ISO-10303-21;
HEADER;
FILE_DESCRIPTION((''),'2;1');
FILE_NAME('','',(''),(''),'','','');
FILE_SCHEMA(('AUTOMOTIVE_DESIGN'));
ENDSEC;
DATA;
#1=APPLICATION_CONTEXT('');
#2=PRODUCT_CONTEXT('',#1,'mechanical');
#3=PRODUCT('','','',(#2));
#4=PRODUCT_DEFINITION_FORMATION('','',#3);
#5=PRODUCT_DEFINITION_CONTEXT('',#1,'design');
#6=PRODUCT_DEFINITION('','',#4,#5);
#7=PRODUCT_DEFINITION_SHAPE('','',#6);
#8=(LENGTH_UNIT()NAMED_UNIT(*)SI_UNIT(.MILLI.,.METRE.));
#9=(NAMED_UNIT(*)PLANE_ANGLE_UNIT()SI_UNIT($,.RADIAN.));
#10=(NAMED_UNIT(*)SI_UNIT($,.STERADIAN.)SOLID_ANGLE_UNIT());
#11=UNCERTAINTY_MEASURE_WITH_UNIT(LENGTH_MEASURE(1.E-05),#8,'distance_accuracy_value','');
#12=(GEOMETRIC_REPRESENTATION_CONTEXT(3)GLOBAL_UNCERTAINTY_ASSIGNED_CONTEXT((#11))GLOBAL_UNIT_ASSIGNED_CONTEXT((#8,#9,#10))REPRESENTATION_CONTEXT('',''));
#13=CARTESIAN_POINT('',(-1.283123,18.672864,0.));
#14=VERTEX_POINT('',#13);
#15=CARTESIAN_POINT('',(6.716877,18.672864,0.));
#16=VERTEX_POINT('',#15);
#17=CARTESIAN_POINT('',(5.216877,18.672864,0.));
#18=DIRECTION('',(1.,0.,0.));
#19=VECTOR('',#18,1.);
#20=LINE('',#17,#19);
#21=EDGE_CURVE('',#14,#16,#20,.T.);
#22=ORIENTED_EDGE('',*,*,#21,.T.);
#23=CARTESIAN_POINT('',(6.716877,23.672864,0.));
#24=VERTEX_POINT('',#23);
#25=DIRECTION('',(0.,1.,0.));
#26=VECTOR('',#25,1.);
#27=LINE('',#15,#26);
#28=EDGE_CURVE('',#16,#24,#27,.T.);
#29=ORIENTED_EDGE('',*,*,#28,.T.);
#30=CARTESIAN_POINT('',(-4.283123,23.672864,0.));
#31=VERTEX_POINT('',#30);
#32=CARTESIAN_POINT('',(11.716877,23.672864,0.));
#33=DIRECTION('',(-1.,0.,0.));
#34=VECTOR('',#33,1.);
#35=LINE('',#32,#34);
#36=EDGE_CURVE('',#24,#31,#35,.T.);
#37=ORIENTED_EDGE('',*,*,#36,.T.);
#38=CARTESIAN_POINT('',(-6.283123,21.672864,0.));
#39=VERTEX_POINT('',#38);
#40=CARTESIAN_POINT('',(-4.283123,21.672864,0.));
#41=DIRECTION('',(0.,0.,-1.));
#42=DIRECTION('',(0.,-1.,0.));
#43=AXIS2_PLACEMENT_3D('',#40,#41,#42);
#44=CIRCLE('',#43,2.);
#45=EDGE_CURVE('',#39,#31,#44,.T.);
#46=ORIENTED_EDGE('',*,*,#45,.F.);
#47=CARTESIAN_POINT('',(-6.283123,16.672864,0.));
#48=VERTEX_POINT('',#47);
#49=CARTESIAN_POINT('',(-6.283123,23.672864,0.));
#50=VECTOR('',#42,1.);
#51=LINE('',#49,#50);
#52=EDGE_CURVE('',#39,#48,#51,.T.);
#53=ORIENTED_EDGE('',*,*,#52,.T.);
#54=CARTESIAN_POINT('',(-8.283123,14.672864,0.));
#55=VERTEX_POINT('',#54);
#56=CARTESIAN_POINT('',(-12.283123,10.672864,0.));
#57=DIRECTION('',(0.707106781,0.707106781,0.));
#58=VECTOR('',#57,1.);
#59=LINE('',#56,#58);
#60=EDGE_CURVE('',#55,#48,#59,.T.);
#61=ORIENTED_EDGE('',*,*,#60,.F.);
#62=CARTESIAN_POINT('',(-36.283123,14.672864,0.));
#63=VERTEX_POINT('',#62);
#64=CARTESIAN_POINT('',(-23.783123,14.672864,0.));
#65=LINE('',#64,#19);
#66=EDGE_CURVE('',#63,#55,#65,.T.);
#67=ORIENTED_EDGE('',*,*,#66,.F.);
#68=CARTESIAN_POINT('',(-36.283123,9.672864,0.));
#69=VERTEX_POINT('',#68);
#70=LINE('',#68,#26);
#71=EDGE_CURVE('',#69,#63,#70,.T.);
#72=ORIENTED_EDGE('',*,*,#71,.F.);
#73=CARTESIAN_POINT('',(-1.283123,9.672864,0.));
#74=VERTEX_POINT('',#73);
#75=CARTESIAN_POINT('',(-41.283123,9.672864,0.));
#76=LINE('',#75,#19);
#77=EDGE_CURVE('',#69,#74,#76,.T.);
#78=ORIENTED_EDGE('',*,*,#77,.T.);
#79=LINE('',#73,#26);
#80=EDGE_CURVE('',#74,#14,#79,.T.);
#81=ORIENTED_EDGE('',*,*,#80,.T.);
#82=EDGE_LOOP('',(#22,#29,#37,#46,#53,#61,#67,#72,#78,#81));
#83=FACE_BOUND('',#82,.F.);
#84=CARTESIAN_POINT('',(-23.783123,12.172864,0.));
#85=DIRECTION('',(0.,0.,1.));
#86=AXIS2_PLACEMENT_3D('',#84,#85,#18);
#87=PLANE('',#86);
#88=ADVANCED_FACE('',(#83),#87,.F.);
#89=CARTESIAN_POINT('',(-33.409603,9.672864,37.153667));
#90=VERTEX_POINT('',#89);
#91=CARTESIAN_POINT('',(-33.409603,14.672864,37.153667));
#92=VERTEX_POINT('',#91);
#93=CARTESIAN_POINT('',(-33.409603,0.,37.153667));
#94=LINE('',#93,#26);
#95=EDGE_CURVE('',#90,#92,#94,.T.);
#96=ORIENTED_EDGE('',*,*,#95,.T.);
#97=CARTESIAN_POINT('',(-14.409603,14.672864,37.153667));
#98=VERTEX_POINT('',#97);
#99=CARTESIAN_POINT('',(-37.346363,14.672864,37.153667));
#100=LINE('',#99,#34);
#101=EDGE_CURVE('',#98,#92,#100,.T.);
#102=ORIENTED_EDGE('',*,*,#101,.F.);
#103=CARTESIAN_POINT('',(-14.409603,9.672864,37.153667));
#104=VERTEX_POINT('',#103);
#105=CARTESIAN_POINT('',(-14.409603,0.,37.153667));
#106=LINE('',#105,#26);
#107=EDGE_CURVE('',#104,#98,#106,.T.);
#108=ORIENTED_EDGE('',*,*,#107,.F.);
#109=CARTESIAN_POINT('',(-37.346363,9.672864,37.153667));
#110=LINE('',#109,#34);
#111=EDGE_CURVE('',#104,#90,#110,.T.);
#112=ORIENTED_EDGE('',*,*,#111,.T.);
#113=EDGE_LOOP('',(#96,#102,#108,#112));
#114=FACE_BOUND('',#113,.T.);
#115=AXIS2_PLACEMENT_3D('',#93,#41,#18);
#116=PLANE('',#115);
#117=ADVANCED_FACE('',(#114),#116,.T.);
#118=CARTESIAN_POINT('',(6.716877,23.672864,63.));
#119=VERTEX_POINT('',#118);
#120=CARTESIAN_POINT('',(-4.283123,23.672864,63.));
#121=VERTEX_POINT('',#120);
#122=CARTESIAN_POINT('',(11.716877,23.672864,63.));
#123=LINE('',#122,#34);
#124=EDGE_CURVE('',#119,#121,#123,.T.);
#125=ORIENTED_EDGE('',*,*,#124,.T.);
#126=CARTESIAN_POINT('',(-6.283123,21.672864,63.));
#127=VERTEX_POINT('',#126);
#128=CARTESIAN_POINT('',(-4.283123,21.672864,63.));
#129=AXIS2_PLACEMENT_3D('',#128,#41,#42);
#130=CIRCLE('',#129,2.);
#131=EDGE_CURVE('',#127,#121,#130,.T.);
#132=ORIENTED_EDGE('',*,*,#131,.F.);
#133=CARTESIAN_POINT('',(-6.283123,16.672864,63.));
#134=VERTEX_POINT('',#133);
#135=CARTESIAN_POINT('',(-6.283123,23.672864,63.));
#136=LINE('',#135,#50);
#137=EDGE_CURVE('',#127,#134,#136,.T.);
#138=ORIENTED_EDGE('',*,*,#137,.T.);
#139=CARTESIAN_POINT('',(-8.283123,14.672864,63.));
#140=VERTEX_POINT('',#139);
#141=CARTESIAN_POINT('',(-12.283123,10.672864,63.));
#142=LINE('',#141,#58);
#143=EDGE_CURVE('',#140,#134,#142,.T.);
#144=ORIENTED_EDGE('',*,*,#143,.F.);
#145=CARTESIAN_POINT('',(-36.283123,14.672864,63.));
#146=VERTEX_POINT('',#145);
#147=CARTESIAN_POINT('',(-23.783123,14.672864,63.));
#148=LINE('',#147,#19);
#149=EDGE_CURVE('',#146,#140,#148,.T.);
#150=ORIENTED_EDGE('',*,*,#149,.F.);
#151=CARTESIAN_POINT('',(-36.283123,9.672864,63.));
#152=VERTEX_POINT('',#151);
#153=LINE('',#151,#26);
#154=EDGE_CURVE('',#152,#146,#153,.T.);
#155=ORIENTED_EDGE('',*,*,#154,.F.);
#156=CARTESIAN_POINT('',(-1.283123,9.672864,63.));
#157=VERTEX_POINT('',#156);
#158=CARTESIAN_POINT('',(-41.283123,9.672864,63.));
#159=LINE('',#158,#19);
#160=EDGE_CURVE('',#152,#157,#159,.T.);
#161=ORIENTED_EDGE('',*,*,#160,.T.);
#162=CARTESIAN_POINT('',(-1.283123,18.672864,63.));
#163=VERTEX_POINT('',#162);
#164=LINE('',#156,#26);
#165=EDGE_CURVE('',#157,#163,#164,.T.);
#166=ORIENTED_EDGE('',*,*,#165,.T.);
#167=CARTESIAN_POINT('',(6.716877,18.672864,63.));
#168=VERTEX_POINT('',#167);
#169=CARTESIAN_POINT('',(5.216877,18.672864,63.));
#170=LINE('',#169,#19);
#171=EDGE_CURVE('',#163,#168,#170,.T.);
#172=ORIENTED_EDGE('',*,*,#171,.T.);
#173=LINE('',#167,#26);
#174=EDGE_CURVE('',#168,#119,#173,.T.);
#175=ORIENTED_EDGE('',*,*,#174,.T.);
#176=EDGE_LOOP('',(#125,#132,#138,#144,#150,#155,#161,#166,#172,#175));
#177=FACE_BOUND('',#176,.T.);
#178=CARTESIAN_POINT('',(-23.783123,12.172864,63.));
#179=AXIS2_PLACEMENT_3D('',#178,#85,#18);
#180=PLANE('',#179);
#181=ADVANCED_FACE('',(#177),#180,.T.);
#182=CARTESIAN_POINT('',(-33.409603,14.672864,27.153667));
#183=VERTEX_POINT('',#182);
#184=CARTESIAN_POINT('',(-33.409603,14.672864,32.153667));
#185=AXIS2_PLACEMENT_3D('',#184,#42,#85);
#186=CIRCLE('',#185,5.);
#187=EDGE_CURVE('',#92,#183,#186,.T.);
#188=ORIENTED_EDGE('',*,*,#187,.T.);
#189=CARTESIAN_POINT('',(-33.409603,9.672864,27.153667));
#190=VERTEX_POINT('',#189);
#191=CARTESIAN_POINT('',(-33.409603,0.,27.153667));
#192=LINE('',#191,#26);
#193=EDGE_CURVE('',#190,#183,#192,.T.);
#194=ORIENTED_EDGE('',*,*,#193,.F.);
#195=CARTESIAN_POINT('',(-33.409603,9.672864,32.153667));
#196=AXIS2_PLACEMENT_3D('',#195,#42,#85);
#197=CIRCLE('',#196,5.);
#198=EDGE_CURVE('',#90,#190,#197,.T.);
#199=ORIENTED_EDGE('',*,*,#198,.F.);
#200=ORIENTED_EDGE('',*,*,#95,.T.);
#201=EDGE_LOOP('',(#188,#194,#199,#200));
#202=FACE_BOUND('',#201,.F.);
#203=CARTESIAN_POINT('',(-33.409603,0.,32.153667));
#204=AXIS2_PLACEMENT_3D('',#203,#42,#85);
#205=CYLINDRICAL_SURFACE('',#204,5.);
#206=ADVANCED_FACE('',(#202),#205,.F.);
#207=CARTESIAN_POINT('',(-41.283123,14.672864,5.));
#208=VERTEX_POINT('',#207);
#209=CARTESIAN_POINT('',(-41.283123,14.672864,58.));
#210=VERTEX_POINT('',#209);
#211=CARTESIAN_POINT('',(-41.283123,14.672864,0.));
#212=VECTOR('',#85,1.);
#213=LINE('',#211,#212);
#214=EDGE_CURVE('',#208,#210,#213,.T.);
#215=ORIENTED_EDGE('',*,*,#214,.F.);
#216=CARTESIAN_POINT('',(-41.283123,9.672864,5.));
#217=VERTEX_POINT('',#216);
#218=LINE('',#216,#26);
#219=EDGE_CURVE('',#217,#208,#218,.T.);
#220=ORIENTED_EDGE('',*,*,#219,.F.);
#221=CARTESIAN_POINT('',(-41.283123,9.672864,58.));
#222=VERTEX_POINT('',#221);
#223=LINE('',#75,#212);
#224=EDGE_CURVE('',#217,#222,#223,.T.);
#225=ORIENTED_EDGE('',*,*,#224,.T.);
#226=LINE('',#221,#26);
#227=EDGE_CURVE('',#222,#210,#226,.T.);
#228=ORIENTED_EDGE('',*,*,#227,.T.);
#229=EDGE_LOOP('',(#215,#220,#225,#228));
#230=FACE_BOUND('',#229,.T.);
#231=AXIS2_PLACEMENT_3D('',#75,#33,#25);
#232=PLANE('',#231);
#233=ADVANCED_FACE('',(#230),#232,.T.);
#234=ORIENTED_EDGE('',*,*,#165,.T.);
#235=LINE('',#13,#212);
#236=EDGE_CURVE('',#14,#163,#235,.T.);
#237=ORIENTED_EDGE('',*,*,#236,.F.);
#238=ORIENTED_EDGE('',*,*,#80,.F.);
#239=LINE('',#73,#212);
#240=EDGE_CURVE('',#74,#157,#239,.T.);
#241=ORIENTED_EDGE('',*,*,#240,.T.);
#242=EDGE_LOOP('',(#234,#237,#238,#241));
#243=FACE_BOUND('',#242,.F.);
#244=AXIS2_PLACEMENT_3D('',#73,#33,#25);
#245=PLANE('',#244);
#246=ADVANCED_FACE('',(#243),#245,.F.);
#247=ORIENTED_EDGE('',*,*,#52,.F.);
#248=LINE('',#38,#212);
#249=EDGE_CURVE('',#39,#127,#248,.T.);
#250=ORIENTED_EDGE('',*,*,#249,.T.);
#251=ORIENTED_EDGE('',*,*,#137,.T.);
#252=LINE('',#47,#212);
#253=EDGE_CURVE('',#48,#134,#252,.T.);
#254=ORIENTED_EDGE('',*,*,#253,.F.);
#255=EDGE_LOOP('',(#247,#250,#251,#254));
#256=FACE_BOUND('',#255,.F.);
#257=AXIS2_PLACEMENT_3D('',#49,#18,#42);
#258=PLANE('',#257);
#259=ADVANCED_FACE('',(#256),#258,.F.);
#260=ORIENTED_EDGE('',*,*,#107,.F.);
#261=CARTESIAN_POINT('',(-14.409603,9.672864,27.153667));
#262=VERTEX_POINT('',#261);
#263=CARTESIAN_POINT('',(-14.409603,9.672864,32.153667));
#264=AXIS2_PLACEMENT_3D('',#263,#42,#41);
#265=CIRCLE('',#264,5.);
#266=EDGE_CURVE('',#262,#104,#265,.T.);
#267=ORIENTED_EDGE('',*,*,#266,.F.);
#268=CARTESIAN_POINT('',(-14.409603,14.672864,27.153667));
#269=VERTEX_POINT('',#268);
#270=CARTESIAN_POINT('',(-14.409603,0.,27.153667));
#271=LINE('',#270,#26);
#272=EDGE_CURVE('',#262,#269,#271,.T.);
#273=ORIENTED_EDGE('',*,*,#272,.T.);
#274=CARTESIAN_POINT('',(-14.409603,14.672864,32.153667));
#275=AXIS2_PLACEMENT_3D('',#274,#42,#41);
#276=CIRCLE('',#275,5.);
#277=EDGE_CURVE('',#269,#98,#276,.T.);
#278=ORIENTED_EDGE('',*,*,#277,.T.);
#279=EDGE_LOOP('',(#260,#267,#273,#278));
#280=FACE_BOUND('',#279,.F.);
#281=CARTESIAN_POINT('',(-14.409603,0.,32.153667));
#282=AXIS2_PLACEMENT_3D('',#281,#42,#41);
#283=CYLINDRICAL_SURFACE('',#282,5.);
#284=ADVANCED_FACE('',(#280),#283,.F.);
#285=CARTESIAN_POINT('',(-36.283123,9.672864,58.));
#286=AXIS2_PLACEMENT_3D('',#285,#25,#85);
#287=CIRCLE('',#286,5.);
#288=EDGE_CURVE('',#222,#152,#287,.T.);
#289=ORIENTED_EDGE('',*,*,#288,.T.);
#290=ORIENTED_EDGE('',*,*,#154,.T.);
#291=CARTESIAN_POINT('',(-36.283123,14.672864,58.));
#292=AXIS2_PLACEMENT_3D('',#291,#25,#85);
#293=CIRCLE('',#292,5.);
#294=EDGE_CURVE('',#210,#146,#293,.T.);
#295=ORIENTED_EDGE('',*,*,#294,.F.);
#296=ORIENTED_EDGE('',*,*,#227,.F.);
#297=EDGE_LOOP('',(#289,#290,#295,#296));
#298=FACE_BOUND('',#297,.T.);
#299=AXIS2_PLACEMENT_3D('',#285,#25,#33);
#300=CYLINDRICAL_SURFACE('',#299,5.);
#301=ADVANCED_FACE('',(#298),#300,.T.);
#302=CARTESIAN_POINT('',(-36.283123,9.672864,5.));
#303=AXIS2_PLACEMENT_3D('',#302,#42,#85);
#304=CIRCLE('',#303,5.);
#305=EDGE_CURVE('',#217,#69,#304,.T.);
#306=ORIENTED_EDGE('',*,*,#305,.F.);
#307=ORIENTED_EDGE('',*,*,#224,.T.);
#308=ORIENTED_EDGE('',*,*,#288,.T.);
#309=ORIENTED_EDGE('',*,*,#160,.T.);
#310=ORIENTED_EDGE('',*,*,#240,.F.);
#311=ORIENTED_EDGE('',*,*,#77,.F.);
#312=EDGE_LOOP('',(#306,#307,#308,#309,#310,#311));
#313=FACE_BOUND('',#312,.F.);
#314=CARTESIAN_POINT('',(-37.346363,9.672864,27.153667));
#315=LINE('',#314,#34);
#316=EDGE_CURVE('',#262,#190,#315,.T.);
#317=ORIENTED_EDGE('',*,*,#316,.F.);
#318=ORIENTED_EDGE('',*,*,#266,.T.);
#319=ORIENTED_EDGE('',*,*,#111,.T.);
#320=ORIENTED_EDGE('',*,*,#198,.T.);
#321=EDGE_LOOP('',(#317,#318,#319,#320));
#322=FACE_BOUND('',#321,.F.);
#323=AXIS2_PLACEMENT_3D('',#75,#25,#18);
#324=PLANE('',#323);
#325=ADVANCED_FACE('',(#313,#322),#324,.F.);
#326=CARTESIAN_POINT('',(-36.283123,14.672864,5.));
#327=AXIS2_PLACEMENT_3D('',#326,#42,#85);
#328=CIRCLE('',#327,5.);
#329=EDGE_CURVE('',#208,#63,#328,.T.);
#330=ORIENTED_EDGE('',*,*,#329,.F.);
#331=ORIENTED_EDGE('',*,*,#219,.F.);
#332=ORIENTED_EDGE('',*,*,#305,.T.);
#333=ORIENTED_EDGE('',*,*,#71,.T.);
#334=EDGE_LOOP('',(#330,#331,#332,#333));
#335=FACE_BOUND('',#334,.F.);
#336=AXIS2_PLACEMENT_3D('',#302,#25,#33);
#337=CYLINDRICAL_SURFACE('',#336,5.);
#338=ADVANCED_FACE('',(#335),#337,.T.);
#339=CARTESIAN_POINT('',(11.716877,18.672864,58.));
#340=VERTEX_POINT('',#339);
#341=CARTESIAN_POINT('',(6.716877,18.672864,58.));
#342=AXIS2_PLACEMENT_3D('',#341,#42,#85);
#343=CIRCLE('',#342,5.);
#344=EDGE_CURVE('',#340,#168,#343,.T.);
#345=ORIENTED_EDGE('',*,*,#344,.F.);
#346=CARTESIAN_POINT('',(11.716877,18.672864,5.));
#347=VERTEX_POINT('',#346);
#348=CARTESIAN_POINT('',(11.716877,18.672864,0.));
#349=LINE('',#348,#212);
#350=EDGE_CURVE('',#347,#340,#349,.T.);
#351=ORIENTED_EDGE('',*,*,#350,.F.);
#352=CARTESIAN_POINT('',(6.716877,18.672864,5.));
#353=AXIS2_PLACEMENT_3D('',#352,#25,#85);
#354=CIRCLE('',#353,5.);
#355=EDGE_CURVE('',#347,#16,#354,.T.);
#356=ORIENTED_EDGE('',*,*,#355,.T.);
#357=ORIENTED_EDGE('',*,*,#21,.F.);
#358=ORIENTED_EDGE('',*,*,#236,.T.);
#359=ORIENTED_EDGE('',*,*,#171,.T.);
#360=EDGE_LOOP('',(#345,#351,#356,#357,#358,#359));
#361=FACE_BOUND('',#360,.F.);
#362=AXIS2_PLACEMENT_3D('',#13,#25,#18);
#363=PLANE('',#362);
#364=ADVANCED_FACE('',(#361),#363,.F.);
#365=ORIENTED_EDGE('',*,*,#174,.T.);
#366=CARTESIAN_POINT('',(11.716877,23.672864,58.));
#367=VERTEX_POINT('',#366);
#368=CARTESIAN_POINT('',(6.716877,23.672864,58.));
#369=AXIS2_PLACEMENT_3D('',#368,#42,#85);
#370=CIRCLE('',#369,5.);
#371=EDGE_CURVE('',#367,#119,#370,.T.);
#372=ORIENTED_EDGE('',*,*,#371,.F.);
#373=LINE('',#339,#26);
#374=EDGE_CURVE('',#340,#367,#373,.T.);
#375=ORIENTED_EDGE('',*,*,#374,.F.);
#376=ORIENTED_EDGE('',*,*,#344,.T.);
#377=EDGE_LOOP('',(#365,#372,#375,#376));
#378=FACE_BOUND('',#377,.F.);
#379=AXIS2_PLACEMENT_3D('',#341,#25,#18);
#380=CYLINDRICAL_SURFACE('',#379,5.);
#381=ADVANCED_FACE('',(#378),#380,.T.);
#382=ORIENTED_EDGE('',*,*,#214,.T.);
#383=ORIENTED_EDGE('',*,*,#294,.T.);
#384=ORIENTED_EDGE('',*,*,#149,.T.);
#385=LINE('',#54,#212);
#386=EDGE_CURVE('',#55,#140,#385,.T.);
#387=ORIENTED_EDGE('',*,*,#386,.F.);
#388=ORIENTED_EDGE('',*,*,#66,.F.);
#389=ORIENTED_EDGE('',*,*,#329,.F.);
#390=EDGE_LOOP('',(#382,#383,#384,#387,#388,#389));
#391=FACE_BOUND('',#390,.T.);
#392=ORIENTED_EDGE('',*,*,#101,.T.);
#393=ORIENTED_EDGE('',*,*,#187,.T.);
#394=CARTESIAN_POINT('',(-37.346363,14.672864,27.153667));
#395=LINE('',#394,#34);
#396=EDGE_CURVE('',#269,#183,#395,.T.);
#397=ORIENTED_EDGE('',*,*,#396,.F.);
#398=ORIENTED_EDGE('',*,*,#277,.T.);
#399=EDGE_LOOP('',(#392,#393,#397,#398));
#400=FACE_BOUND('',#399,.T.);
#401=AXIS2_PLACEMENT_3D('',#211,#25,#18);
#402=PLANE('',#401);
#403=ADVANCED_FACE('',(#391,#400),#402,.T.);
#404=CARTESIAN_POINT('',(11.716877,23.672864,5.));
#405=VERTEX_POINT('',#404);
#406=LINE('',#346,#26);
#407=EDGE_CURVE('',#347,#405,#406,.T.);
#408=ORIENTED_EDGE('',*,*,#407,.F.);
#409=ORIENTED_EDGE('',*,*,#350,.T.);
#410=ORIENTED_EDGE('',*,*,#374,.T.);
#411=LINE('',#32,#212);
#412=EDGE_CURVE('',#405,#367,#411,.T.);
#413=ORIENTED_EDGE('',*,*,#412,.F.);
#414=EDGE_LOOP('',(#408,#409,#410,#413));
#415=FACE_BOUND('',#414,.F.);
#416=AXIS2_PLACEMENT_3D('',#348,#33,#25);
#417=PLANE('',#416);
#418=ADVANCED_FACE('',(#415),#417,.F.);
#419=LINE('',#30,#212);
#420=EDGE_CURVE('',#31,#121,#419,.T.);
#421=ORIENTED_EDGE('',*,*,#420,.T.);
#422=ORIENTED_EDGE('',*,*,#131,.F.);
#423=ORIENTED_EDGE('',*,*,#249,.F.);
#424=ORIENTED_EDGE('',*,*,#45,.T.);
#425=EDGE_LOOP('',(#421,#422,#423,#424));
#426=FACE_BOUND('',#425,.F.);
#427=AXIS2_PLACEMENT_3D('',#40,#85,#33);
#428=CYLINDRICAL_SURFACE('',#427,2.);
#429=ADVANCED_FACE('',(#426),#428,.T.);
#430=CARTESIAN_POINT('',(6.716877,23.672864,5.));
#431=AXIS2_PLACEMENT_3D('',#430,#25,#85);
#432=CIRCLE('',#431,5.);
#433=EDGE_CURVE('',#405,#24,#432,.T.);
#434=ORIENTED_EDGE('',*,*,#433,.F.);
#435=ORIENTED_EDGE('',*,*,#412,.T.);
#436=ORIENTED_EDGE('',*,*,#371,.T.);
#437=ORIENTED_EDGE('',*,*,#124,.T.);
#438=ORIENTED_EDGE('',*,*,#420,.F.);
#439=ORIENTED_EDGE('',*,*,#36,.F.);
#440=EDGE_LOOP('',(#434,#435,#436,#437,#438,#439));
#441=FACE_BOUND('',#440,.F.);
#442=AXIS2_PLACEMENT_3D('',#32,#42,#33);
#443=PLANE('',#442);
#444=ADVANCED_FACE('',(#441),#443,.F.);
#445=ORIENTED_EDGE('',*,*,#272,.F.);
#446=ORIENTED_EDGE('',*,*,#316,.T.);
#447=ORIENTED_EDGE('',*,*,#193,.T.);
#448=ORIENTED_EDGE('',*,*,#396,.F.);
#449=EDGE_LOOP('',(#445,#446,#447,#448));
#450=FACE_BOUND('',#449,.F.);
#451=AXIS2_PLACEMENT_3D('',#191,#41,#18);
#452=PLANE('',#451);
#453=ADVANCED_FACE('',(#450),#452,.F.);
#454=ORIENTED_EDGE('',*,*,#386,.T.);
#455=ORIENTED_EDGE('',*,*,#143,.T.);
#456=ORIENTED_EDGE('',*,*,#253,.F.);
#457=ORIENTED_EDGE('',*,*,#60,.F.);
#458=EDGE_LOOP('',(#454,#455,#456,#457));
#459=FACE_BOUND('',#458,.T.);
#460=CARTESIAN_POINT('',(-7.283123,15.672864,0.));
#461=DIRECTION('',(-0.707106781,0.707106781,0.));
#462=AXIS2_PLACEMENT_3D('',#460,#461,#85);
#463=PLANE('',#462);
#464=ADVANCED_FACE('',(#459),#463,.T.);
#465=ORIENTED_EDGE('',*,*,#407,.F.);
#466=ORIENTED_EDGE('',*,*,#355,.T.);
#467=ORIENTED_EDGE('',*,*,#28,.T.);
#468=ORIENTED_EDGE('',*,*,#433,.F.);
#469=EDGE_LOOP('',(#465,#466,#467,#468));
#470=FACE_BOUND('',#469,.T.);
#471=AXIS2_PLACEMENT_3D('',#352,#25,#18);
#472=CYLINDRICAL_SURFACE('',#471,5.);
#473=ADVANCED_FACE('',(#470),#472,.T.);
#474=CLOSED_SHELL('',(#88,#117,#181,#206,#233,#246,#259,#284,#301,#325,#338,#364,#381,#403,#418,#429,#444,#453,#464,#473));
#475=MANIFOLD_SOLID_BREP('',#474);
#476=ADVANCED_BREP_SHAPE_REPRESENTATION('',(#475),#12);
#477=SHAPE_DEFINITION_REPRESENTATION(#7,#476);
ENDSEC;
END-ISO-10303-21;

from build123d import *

# Parameters (mm, degrees)
F0_W     = 35
F0_H     = 5
F0_W_2   = 13
F0_W_3   = 5
F1_DEPTH = 63
F2_R     = 5
F3_W     = 19
F3_H     = 10
F4_DEPTH = 25
F5_SIZE  = 2
F6_R     = 2


with BuildPart() as f1:
    # F0 (on Top) → F1 (new body)
    with BuildSketch(Plane.XY):
        with Locations((-23.783123, 12.172864)):
            Rectangle(F0_W, F0_H)
        Polygon((-1.283123, 18.672864), (-6.283123, 18.672864), (-6.283123, 14.672864), (-6.283123, 9.672864), (-1.283123, 9.672864), align=None)
        with Locations((5.216877, 21.172864)):
            Rectangle(F0_W_2, F0_H)
        with Locations((-3.783123, 21.172864)):
            Rectangle(F0_W_3, F0_H)
    extrude(amount=F1_DEPTH)

    # F2
    f2_edges = [f1.edges().sort_by_distance(p)[0] for p in [
        (-41.283123, 12.172864, 63),
        (11.716877, 21.172864, 63),
        (-41.283123, 12.172864, 0),
        (11.716877, 21.172864, 0),
    ]]
    fillet(f2_edges, radius=F2_R)

    # F3 (on Front) → F4 (cut)
    with BuildSketch(Plane.XZ):
        with Locations((-23.909603, 32.153667)):
            Rectangle(F3_W, F3_H)
        with BuildLine():
            Line((-14.409603, 37.153667), (-14.409603, 27.153667))
            ThreePointArc((-14.409603, 27.153667), (-9.409603, 32.153667), (-14.409603, 37.153667))
        make_face()
        with BuildLine():
            ThreePointArc((-33.409603, 37.153667), (-38.409603, 32.153667), (-33.409603, 27.153667))
            Line((-33.409603, 27.153667), (-33.409603, 37.153667))
        make_face()
    extrude(amount=-F4_DEPTH, mode=Mode.SUBTRACT)

    # F5
    f5_edges = [f1.edges().sort_by_distance(p)[0] for p in [
        (-6.283123, 14.672864, 31.5),
    ]]
    chamfer(f5_edges, length=F5_SIZE)

    # F6
    f6_edges = [f1.edges().sort_by_distance(p)[0] for p in [
        (-6.283123, 23.672864, 31.5),
    ]]
    fillet(f6_edges, radius=F6_R)


solid = f1.part
